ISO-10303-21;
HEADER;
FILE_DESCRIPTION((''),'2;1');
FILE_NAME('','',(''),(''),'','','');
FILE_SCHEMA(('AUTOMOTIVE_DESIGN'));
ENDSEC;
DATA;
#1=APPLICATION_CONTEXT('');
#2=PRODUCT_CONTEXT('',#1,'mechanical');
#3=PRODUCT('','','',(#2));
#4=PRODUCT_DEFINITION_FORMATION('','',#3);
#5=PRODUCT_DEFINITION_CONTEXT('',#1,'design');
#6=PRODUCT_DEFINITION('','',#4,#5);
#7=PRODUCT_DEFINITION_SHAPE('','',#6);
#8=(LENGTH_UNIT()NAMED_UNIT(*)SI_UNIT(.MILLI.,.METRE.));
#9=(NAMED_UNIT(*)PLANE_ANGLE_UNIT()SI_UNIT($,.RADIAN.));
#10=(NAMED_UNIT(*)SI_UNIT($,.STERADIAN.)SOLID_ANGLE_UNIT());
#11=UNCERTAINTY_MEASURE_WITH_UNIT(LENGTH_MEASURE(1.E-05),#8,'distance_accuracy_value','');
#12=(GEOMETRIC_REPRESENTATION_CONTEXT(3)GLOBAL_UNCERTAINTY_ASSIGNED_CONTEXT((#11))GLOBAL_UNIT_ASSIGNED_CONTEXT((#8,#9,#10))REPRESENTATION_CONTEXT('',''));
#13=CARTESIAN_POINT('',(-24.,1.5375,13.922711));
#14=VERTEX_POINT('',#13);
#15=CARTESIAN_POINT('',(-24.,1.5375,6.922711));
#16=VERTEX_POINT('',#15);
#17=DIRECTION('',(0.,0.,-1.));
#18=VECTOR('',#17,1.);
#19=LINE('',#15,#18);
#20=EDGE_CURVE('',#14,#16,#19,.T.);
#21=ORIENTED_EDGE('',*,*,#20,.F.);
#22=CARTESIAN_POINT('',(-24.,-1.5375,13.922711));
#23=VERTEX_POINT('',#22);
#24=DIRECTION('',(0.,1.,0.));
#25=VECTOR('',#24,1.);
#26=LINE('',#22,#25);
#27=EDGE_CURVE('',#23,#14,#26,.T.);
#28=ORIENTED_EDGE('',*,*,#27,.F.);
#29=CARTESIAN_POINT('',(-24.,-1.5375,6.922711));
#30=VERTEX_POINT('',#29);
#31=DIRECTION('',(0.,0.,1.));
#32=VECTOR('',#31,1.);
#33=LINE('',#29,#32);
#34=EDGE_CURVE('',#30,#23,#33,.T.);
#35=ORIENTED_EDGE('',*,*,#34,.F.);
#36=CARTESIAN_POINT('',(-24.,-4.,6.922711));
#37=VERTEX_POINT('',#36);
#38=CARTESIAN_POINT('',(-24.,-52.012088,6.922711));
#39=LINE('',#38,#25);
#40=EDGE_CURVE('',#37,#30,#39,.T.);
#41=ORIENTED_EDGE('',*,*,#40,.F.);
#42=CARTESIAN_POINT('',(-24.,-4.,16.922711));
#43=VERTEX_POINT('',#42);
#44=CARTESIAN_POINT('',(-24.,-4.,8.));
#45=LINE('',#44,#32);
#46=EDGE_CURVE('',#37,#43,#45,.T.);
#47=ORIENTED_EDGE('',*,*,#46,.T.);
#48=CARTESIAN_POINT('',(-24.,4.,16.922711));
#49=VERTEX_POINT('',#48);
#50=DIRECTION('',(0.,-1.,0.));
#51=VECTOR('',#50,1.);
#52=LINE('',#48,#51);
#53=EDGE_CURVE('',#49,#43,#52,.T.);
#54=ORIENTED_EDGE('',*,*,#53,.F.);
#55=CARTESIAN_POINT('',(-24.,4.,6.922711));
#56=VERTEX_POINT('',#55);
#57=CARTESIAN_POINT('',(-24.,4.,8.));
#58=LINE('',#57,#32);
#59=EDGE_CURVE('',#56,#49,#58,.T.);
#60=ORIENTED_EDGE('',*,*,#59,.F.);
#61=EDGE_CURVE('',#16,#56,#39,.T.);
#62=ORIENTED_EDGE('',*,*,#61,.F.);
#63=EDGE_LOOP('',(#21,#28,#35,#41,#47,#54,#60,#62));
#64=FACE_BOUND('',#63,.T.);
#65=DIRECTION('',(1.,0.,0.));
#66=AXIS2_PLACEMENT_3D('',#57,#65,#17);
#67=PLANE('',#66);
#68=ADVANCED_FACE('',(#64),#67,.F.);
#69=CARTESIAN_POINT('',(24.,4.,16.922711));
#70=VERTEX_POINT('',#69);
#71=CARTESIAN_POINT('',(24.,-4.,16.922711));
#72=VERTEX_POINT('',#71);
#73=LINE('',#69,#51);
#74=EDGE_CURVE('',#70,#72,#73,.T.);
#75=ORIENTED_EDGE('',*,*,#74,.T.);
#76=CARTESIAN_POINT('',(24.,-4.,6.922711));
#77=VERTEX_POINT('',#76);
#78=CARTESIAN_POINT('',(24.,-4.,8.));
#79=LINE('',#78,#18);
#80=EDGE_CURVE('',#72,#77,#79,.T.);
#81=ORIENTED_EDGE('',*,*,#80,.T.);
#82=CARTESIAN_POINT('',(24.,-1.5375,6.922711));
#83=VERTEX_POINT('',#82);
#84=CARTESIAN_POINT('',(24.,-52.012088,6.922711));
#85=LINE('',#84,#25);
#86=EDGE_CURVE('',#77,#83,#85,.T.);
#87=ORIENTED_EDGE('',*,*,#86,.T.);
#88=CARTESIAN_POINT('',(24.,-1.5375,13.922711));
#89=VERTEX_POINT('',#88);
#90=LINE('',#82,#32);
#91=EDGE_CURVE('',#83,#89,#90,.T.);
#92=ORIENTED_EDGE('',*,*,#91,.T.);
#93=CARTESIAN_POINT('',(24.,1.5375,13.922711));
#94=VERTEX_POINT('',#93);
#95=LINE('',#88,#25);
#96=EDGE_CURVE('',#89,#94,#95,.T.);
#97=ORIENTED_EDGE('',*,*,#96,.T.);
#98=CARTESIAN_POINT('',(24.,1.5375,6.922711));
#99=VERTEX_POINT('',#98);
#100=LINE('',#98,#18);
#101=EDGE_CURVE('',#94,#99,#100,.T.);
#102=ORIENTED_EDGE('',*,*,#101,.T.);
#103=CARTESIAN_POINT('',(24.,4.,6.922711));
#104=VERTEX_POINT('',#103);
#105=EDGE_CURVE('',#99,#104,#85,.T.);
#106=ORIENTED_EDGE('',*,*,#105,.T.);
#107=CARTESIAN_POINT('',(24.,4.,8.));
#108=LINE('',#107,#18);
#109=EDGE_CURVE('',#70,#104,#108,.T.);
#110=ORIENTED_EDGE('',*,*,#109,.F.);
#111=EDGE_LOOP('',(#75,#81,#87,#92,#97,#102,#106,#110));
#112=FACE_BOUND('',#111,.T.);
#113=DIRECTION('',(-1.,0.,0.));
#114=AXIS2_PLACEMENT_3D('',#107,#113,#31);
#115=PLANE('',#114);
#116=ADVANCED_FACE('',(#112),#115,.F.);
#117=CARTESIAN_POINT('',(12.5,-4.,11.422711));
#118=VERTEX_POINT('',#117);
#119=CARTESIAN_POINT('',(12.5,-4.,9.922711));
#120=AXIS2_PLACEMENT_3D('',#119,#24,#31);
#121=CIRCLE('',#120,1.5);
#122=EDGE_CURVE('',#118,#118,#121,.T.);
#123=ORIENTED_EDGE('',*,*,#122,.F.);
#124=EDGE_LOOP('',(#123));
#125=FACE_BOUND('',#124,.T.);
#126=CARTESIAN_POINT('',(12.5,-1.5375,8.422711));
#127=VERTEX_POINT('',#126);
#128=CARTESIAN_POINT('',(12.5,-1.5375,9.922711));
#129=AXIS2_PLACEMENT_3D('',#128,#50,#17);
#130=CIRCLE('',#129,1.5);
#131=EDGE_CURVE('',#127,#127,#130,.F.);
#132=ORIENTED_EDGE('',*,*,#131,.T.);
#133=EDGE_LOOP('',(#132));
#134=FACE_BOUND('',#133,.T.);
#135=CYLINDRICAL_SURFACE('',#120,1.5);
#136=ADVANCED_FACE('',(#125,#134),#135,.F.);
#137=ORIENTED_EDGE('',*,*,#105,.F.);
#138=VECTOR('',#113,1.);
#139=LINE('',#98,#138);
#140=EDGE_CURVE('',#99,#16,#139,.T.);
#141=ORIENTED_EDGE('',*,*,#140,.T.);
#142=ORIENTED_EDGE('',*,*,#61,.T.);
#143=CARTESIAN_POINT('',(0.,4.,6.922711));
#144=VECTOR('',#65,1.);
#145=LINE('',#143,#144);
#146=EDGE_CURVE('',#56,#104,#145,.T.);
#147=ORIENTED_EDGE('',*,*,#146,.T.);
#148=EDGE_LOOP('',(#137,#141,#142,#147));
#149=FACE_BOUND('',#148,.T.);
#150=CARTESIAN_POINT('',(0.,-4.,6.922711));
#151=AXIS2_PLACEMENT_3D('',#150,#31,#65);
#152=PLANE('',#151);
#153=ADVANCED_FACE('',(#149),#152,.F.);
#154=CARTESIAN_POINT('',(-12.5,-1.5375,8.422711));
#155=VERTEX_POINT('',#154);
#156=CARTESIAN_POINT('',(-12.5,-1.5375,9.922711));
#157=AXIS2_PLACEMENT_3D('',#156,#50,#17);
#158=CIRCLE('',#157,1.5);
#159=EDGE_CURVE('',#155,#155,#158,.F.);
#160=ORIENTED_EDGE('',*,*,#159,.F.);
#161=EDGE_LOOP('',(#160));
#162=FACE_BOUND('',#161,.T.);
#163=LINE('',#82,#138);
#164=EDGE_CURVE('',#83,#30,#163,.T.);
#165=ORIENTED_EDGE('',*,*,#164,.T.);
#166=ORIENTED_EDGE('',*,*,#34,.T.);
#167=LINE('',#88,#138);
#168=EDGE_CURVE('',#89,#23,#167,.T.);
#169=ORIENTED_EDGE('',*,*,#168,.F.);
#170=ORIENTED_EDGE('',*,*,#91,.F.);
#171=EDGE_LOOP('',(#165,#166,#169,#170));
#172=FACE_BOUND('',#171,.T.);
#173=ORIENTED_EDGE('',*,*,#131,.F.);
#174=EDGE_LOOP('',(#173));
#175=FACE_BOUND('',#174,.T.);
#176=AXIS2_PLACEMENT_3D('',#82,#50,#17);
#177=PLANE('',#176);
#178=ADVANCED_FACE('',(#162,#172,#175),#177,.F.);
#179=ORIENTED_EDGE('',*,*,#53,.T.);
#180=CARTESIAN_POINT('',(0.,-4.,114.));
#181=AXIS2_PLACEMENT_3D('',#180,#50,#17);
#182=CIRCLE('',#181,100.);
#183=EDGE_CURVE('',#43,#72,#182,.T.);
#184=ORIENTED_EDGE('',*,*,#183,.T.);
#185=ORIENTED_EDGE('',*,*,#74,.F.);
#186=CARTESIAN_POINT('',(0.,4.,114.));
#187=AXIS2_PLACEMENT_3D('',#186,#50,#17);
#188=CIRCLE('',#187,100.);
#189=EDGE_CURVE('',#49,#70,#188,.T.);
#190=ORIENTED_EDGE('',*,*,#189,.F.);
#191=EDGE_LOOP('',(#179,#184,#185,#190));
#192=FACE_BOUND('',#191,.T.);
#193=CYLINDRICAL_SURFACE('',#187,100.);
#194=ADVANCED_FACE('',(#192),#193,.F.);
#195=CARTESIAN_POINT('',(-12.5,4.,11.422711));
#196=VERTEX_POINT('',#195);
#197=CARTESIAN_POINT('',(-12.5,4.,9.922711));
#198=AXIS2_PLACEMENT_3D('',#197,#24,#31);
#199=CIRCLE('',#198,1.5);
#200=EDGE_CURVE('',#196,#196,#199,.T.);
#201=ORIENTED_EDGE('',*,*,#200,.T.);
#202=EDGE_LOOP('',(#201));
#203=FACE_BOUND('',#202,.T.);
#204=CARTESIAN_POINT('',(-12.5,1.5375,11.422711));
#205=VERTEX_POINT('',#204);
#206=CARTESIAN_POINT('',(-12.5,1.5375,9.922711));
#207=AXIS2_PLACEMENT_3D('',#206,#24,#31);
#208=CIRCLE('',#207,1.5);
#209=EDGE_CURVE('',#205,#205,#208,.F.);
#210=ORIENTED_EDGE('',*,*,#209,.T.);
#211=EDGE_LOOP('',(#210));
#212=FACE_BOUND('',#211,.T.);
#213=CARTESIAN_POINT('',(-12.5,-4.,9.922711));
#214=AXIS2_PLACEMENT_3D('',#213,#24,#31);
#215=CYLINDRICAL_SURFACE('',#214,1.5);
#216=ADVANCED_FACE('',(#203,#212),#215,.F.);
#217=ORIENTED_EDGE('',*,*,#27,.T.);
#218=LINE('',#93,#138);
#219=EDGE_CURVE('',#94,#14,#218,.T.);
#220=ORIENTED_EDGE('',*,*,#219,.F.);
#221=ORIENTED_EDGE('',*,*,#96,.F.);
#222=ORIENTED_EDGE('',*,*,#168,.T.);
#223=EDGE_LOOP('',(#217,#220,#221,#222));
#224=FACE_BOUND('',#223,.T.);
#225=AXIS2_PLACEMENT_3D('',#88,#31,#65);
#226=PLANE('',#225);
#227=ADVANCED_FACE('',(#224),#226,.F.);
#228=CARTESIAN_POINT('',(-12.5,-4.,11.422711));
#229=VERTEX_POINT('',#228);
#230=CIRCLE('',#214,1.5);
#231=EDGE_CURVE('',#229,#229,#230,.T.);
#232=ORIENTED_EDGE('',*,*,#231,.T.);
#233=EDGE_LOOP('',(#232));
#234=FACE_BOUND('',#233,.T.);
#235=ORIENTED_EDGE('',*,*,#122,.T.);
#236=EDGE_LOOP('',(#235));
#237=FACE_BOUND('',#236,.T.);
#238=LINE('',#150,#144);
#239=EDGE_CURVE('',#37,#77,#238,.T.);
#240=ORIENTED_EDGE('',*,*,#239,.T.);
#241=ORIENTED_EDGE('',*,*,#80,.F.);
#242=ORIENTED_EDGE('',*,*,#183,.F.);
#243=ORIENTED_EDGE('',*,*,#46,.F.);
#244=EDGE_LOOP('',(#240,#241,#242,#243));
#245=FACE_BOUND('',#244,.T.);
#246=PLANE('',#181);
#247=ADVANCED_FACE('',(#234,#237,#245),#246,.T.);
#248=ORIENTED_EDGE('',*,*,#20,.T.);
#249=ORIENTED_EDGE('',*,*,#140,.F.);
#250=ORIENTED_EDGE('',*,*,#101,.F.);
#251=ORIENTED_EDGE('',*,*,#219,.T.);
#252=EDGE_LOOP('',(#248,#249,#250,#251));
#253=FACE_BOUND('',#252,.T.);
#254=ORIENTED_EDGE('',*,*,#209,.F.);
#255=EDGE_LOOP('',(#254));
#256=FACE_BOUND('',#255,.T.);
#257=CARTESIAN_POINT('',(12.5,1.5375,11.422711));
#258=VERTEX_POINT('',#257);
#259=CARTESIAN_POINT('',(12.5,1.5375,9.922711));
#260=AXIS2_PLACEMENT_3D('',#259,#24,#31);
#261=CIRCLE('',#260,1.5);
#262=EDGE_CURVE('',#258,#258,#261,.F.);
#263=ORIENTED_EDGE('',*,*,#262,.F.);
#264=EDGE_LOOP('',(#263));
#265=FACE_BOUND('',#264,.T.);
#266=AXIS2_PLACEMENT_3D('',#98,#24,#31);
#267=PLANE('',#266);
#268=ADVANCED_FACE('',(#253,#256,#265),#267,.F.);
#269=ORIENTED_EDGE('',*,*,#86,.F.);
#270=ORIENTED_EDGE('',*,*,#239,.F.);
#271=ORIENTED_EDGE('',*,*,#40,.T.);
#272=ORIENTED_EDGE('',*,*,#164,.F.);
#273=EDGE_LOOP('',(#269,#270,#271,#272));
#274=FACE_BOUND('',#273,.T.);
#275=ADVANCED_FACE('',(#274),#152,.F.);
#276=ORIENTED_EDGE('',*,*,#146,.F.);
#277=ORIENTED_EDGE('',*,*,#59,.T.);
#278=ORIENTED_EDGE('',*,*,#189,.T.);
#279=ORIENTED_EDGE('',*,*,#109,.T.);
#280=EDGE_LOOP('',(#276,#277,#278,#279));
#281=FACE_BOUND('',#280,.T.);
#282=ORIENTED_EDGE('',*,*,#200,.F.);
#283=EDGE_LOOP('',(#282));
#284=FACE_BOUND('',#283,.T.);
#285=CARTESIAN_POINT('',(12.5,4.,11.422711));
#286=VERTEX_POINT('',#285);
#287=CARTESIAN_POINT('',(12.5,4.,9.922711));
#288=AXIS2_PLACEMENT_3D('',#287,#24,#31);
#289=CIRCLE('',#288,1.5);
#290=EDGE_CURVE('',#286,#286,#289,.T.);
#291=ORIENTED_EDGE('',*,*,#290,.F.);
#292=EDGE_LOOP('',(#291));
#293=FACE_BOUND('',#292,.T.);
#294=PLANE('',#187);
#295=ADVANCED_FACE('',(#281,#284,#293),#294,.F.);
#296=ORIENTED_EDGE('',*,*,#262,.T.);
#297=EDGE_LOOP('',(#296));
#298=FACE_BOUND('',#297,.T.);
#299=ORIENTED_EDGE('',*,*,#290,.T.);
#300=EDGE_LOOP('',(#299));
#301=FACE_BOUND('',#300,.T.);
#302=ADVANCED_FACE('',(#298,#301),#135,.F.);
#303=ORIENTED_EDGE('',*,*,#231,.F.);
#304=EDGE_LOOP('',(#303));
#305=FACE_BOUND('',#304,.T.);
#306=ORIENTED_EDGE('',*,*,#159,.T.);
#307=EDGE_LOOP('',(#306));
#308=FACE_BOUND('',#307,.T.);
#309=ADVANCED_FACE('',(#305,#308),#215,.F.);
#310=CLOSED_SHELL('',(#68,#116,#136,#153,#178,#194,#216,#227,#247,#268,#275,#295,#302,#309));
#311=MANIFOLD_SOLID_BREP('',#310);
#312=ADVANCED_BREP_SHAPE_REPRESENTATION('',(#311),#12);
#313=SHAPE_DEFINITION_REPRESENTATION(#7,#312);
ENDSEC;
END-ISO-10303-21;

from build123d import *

# Parameters (mm, degrees)
BOSS_EXTRUDE1_DEPTH = 4
SKETCH10_R          = 1.5
SKETCH10_W          = 40
SKETCH10_H          = 6.922711204
CUT_EXTRUDE2_DEPTH  = 31.436460939
SKETCH11_W          = 48
SKETCH11_H          = 1.077288796
BOSS_EXTRUDE2_DEPTH = 8
SKETCH12_W          = 7
SKETCH12_H          = 3.075
CUT_EXTRUDE3_DEPTH  = 52.052699777


with BuildPart() as part:
    # Sketch1 → Boss-Extrude1 (new, symmetric)
    with BuildSketch(Plane(origin=(0, 0, 0), x_dir=(1, 0, 0), z_dir=(0, 1, 0))):
        with BuildLine():
            Line((-20, 0), (0, 0))
            Line((0, 0), (20, 0))
            Line((20, 0), (20, -8))
            Line((20, -8), (24, -8))
            Line((24, -8), (24, -16.922711204))
            ThreePointArc((24, -16.922711204), (0, -14), (-24, -16.922711204))
            Line((-24, -16.922711204), (-24, -8))
            Line((-24, -8), (-20, -8))
            Line((-20, -8), (-20, 0))
        make_face()
    extrude(amount=BOSS_EXTRUDE1_DEPTH, both=True)

    # Sketch10 → Cut-Extrude2 (cut, through all)
    with BuildSketch(Plane(origin=(0, 4, 0), x_dir=(1, 0, 0), z_dir=(0, 1, 0))):
        with Locations(Location((-12.5, -9.922711204, 0), (0, 0, 270))):
            Circle(SKETCH10_R)
        with Locations(Location((12.5, -9.922711204, 0), (0, 0, 270))):
            Circle(SKETCH10_R)
        with Locations((0, -3.461355602)):
            Rectangle(SKETCH10_W, SKETCH10_H)
    extrude(amount=-CUT_EXTRUDE2_DEPTH, mode=Mode.SUBTRACT)

    # Sketch11 → Boss-Extrude2 (add)
    with BuildSketch(Plane(origin=(0, 4, 0), x_dir=(1, 0, 0), z_dir=(0, 1, 0))):
        with Locations((0, -7.461355602)):
            Rectangle(SKETCH11_W, SKETCH11_H)
    extrude(amount=-BOSS_EXTRUDE2_DEPTH)

    # Sketch12 → Cut-Extrude3 (cut, through all)
    with BuildSketch(Plane.ZY.offset(24)):
        with Locations((10.422711204, 0)):
            Rectangle(SKETCH12_W, SKETCH12_H)
    extrude(amount=-CUT_EXTRUDE3_DEPTH, mode=Mode.SUBTRACT)


solid = part.part
